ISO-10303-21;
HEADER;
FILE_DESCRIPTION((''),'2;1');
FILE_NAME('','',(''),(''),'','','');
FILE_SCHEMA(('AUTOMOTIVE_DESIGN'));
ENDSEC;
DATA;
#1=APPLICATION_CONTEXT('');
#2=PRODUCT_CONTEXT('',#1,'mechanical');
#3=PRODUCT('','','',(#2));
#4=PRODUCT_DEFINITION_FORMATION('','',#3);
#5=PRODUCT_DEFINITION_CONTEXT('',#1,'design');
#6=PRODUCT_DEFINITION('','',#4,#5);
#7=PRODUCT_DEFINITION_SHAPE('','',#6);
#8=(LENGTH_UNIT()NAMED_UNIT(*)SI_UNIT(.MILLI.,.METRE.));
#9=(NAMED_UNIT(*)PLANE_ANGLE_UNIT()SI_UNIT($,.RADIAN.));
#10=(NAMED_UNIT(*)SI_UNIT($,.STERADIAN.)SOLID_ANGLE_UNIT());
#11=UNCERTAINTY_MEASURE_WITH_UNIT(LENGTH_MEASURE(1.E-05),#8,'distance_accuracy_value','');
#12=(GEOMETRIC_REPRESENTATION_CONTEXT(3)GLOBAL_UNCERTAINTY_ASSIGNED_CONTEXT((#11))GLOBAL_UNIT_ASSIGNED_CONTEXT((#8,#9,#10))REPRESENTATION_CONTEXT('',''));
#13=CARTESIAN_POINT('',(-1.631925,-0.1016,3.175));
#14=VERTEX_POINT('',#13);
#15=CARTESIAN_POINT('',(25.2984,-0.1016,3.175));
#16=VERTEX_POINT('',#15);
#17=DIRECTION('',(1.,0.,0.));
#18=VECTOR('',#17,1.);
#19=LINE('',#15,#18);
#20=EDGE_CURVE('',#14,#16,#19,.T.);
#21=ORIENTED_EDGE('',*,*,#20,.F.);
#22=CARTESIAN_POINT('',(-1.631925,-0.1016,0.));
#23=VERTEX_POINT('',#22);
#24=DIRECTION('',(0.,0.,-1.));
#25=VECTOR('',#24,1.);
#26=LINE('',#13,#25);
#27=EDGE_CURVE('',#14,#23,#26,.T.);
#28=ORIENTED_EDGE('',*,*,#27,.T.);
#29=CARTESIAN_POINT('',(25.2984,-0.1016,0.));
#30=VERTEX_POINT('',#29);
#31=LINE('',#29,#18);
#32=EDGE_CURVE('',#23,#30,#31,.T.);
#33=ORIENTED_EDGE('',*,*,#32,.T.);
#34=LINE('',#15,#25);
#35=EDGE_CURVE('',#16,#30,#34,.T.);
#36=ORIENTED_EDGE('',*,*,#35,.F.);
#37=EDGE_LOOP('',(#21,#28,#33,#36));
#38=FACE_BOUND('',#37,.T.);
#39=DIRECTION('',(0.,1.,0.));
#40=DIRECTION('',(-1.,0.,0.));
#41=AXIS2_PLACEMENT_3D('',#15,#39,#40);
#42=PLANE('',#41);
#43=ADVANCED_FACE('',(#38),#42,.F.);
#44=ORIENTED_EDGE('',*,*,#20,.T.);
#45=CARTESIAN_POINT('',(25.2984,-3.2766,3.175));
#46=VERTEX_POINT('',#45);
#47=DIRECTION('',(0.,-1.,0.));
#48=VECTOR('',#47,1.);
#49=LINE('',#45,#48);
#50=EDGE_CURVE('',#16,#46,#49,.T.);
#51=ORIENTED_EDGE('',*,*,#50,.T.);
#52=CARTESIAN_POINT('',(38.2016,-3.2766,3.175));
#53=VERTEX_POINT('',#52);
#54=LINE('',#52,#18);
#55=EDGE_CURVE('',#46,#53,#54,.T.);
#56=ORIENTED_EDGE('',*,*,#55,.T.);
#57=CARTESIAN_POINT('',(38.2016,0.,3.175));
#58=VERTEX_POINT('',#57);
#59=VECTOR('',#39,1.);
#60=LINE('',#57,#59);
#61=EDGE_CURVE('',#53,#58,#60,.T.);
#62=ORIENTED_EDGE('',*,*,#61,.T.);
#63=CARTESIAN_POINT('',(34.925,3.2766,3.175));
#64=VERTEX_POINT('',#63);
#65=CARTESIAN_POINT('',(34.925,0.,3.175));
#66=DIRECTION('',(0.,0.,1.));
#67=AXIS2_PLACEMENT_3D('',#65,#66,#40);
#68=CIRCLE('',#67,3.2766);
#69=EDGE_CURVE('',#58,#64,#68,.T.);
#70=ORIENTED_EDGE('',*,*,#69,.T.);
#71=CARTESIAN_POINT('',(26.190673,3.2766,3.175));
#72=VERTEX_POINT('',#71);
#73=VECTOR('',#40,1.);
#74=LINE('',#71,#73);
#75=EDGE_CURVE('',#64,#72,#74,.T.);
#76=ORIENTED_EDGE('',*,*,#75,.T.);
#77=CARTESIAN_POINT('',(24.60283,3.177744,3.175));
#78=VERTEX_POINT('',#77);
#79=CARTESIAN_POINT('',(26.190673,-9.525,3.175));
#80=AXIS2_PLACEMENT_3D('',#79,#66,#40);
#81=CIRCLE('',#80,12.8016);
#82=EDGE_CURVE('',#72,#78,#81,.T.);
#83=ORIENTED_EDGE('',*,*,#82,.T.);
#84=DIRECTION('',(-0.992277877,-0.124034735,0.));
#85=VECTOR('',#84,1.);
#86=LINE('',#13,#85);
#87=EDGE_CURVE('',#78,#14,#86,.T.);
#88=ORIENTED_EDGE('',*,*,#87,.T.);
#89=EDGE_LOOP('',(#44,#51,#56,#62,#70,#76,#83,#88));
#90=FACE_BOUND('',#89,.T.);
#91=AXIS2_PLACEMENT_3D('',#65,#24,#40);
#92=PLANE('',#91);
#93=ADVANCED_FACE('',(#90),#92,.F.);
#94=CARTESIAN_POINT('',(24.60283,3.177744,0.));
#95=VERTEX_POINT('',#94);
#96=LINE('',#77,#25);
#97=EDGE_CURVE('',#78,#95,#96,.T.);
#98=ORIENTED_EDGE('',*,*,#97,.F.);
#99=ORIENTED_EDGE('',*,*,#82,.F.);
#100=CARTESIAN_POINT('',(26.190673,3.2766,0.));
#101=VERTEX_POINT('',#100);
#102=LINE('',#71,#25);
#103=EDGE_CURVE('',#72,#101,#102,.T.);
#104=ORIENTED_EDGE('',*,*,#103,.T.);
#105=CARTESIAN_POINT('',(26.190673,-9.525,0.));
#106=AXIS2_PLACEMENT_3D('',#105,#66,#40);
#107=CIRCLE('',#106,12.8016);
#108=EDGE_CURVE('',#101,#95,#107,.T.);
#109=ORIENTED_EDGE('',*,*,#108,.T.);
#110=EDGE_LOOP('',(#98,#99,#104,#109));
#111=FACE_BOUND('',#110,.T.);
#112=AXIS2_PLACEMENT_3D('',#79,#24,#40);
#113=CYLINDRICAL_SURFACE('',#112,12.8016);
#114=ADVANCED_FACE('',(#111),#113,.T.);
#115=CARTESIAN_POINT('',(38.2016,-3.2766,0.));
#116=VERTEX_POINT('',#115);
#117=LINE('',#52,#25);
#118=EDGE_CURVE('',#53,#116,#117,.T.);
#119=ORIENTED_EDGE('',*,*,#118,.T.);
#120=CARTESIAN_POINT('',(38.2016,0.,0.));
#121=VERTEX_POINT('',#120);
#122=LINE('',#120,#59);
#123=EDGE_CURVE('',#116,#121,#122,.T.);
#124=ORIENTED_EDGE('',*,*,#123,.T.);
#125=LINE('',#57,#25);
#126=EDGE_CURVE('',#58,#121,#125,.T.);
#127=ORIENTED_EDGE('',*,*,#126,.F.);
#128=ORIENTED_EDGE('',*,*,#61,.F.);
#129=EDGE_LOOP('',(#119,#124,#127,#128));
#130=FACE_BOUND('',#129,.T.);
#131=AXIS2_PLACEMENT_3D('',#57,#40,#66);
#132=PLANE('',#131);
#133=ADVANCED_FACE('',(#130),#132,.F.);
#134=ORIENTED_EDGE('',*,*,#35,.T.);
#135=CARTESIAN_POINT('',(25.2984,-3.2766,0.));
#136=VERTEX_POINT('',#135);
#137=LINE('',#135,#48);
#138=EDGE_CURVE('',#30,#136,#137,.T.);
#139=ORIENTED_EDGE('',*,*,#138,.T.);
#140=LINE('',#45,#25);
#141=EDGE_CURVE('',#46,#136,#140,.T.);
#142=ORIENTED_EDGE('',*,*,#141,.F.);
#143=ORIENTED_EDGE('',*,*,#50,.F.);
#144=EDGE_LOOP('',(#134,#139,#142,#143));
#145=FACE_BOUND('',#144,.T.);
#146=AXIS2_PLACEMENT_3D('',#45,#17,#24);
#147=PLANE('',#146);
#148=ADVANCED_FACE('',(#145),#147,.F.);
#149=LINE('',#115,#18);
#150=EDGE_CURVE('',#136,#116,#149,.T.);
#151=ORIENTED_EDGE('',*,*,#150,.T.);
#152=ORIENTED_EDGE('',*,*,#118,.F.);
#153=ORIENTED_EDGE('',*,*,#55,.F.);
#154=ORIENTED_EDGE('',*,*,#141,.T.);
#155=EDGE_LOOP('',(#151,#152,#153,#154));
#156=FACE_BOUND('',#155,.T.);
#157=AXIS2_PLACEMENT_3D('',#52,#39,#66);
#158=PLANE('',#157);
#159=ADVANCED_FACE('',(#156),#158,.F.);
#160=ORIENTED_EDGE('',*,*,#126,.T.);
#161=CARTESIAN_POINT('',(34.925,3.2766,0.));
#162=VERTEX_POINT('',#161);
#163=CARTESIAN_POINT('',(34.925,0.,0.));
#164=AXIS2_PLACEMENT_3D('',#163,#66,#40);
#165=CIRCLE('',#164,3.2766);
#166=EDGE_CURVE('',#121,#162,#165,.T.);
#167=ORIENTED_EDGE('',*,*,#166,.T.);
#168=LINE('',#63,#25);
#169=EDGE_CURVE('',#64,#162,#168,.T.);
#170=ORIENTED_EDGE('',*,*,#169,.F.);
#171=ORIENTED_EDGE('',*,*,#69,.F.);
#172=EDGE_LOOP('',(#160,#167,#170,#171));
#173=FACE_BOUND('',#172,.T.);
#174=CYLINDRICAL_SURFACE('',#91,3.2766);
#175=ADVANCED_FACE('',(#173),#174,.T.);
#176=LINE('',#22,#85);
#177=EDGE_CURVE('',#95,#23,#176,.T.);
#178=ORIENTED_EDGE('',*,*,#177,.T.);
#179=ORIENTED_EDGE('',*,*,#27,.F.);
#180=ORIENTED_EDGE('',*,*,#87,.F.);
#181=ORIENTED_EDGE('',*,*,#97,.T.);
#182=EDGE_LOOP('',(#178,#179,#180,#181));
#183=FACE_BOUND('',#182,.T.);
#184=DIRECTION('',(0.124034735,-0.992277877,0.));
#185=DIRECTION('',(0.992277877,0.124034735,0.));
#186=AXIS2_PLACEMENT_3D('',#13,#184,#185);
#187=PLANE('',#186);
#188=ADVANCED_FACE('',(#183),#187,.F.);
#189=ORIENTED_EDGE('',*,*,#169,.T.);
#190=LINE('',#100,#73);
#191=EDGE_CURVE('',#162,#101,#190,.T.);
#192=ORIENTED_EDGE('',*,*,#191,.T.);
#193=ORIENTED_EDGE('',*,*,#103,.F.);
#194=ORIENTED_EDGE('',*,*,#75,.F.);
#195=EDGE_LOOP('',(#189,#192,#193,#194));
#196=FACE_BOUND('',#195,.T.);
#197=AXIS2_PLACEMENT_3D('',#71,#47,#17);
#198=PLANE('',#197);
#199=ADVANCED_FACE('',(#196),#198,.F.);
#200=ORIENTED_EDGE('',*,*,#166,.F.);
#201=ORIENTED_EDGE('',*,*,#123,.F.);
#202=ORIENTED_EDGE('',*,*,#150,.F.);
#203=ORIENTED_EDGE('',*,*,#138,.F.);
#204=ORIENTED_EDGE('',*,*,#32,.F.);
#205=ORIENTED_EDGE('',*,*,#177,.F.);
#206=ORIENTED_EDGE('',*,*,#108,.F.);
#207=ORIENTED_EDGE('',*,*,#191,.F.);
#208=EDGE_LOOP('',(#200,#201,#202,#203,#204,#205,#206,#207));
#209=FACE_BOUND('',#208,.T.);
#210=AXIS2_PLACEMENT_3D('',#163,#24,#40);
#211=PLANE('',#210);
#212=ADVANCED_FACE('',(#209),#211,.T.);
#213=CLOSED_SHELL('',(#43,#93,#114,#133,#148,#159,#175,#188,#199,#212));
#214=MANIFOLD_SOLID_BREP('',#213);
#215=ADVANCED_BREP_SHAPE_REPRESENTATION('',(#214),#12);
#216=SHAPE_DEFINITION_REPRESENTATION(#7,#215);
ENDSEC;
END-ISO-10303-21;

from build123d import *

# Parameters (mm, degrees)
BOSS_EXTRUDE1_DEPTH = 3.175


with BuildPart() as part:
    # Sketch1 → Boss-Extrude1 (new body)
    with BuildSketch(Plane.XY):
        with BuildLine():
            Line((38.2016, 0), (38.2016, -3.2766))
            Line((38.2016, -3.2766), (25.2984, -3.2766))
            Line((25.2984, -3.2766), (25.2984, -0.1016))
            Line((25.2984, -0.1016), (-1.631925387, -0.1016))
            Line((-1.631925387, -0.1016), (24.602830345, 3.177744467))
            ThreePointArc((24.602830345, 3.177744467), (25.395214732, 3.251862215), (26.190673403, 3.2766))
            Line((26.190673403, 3.2766), (34.925, 3.2766))
            ThreePointArc((34.925, 3.2766), (37.241906079, 2.316906079), (38.2016, 0))
        make_face()
    extrude(amount=BOSS_EXTRUDE1_DEPTH)


solid = part.part
